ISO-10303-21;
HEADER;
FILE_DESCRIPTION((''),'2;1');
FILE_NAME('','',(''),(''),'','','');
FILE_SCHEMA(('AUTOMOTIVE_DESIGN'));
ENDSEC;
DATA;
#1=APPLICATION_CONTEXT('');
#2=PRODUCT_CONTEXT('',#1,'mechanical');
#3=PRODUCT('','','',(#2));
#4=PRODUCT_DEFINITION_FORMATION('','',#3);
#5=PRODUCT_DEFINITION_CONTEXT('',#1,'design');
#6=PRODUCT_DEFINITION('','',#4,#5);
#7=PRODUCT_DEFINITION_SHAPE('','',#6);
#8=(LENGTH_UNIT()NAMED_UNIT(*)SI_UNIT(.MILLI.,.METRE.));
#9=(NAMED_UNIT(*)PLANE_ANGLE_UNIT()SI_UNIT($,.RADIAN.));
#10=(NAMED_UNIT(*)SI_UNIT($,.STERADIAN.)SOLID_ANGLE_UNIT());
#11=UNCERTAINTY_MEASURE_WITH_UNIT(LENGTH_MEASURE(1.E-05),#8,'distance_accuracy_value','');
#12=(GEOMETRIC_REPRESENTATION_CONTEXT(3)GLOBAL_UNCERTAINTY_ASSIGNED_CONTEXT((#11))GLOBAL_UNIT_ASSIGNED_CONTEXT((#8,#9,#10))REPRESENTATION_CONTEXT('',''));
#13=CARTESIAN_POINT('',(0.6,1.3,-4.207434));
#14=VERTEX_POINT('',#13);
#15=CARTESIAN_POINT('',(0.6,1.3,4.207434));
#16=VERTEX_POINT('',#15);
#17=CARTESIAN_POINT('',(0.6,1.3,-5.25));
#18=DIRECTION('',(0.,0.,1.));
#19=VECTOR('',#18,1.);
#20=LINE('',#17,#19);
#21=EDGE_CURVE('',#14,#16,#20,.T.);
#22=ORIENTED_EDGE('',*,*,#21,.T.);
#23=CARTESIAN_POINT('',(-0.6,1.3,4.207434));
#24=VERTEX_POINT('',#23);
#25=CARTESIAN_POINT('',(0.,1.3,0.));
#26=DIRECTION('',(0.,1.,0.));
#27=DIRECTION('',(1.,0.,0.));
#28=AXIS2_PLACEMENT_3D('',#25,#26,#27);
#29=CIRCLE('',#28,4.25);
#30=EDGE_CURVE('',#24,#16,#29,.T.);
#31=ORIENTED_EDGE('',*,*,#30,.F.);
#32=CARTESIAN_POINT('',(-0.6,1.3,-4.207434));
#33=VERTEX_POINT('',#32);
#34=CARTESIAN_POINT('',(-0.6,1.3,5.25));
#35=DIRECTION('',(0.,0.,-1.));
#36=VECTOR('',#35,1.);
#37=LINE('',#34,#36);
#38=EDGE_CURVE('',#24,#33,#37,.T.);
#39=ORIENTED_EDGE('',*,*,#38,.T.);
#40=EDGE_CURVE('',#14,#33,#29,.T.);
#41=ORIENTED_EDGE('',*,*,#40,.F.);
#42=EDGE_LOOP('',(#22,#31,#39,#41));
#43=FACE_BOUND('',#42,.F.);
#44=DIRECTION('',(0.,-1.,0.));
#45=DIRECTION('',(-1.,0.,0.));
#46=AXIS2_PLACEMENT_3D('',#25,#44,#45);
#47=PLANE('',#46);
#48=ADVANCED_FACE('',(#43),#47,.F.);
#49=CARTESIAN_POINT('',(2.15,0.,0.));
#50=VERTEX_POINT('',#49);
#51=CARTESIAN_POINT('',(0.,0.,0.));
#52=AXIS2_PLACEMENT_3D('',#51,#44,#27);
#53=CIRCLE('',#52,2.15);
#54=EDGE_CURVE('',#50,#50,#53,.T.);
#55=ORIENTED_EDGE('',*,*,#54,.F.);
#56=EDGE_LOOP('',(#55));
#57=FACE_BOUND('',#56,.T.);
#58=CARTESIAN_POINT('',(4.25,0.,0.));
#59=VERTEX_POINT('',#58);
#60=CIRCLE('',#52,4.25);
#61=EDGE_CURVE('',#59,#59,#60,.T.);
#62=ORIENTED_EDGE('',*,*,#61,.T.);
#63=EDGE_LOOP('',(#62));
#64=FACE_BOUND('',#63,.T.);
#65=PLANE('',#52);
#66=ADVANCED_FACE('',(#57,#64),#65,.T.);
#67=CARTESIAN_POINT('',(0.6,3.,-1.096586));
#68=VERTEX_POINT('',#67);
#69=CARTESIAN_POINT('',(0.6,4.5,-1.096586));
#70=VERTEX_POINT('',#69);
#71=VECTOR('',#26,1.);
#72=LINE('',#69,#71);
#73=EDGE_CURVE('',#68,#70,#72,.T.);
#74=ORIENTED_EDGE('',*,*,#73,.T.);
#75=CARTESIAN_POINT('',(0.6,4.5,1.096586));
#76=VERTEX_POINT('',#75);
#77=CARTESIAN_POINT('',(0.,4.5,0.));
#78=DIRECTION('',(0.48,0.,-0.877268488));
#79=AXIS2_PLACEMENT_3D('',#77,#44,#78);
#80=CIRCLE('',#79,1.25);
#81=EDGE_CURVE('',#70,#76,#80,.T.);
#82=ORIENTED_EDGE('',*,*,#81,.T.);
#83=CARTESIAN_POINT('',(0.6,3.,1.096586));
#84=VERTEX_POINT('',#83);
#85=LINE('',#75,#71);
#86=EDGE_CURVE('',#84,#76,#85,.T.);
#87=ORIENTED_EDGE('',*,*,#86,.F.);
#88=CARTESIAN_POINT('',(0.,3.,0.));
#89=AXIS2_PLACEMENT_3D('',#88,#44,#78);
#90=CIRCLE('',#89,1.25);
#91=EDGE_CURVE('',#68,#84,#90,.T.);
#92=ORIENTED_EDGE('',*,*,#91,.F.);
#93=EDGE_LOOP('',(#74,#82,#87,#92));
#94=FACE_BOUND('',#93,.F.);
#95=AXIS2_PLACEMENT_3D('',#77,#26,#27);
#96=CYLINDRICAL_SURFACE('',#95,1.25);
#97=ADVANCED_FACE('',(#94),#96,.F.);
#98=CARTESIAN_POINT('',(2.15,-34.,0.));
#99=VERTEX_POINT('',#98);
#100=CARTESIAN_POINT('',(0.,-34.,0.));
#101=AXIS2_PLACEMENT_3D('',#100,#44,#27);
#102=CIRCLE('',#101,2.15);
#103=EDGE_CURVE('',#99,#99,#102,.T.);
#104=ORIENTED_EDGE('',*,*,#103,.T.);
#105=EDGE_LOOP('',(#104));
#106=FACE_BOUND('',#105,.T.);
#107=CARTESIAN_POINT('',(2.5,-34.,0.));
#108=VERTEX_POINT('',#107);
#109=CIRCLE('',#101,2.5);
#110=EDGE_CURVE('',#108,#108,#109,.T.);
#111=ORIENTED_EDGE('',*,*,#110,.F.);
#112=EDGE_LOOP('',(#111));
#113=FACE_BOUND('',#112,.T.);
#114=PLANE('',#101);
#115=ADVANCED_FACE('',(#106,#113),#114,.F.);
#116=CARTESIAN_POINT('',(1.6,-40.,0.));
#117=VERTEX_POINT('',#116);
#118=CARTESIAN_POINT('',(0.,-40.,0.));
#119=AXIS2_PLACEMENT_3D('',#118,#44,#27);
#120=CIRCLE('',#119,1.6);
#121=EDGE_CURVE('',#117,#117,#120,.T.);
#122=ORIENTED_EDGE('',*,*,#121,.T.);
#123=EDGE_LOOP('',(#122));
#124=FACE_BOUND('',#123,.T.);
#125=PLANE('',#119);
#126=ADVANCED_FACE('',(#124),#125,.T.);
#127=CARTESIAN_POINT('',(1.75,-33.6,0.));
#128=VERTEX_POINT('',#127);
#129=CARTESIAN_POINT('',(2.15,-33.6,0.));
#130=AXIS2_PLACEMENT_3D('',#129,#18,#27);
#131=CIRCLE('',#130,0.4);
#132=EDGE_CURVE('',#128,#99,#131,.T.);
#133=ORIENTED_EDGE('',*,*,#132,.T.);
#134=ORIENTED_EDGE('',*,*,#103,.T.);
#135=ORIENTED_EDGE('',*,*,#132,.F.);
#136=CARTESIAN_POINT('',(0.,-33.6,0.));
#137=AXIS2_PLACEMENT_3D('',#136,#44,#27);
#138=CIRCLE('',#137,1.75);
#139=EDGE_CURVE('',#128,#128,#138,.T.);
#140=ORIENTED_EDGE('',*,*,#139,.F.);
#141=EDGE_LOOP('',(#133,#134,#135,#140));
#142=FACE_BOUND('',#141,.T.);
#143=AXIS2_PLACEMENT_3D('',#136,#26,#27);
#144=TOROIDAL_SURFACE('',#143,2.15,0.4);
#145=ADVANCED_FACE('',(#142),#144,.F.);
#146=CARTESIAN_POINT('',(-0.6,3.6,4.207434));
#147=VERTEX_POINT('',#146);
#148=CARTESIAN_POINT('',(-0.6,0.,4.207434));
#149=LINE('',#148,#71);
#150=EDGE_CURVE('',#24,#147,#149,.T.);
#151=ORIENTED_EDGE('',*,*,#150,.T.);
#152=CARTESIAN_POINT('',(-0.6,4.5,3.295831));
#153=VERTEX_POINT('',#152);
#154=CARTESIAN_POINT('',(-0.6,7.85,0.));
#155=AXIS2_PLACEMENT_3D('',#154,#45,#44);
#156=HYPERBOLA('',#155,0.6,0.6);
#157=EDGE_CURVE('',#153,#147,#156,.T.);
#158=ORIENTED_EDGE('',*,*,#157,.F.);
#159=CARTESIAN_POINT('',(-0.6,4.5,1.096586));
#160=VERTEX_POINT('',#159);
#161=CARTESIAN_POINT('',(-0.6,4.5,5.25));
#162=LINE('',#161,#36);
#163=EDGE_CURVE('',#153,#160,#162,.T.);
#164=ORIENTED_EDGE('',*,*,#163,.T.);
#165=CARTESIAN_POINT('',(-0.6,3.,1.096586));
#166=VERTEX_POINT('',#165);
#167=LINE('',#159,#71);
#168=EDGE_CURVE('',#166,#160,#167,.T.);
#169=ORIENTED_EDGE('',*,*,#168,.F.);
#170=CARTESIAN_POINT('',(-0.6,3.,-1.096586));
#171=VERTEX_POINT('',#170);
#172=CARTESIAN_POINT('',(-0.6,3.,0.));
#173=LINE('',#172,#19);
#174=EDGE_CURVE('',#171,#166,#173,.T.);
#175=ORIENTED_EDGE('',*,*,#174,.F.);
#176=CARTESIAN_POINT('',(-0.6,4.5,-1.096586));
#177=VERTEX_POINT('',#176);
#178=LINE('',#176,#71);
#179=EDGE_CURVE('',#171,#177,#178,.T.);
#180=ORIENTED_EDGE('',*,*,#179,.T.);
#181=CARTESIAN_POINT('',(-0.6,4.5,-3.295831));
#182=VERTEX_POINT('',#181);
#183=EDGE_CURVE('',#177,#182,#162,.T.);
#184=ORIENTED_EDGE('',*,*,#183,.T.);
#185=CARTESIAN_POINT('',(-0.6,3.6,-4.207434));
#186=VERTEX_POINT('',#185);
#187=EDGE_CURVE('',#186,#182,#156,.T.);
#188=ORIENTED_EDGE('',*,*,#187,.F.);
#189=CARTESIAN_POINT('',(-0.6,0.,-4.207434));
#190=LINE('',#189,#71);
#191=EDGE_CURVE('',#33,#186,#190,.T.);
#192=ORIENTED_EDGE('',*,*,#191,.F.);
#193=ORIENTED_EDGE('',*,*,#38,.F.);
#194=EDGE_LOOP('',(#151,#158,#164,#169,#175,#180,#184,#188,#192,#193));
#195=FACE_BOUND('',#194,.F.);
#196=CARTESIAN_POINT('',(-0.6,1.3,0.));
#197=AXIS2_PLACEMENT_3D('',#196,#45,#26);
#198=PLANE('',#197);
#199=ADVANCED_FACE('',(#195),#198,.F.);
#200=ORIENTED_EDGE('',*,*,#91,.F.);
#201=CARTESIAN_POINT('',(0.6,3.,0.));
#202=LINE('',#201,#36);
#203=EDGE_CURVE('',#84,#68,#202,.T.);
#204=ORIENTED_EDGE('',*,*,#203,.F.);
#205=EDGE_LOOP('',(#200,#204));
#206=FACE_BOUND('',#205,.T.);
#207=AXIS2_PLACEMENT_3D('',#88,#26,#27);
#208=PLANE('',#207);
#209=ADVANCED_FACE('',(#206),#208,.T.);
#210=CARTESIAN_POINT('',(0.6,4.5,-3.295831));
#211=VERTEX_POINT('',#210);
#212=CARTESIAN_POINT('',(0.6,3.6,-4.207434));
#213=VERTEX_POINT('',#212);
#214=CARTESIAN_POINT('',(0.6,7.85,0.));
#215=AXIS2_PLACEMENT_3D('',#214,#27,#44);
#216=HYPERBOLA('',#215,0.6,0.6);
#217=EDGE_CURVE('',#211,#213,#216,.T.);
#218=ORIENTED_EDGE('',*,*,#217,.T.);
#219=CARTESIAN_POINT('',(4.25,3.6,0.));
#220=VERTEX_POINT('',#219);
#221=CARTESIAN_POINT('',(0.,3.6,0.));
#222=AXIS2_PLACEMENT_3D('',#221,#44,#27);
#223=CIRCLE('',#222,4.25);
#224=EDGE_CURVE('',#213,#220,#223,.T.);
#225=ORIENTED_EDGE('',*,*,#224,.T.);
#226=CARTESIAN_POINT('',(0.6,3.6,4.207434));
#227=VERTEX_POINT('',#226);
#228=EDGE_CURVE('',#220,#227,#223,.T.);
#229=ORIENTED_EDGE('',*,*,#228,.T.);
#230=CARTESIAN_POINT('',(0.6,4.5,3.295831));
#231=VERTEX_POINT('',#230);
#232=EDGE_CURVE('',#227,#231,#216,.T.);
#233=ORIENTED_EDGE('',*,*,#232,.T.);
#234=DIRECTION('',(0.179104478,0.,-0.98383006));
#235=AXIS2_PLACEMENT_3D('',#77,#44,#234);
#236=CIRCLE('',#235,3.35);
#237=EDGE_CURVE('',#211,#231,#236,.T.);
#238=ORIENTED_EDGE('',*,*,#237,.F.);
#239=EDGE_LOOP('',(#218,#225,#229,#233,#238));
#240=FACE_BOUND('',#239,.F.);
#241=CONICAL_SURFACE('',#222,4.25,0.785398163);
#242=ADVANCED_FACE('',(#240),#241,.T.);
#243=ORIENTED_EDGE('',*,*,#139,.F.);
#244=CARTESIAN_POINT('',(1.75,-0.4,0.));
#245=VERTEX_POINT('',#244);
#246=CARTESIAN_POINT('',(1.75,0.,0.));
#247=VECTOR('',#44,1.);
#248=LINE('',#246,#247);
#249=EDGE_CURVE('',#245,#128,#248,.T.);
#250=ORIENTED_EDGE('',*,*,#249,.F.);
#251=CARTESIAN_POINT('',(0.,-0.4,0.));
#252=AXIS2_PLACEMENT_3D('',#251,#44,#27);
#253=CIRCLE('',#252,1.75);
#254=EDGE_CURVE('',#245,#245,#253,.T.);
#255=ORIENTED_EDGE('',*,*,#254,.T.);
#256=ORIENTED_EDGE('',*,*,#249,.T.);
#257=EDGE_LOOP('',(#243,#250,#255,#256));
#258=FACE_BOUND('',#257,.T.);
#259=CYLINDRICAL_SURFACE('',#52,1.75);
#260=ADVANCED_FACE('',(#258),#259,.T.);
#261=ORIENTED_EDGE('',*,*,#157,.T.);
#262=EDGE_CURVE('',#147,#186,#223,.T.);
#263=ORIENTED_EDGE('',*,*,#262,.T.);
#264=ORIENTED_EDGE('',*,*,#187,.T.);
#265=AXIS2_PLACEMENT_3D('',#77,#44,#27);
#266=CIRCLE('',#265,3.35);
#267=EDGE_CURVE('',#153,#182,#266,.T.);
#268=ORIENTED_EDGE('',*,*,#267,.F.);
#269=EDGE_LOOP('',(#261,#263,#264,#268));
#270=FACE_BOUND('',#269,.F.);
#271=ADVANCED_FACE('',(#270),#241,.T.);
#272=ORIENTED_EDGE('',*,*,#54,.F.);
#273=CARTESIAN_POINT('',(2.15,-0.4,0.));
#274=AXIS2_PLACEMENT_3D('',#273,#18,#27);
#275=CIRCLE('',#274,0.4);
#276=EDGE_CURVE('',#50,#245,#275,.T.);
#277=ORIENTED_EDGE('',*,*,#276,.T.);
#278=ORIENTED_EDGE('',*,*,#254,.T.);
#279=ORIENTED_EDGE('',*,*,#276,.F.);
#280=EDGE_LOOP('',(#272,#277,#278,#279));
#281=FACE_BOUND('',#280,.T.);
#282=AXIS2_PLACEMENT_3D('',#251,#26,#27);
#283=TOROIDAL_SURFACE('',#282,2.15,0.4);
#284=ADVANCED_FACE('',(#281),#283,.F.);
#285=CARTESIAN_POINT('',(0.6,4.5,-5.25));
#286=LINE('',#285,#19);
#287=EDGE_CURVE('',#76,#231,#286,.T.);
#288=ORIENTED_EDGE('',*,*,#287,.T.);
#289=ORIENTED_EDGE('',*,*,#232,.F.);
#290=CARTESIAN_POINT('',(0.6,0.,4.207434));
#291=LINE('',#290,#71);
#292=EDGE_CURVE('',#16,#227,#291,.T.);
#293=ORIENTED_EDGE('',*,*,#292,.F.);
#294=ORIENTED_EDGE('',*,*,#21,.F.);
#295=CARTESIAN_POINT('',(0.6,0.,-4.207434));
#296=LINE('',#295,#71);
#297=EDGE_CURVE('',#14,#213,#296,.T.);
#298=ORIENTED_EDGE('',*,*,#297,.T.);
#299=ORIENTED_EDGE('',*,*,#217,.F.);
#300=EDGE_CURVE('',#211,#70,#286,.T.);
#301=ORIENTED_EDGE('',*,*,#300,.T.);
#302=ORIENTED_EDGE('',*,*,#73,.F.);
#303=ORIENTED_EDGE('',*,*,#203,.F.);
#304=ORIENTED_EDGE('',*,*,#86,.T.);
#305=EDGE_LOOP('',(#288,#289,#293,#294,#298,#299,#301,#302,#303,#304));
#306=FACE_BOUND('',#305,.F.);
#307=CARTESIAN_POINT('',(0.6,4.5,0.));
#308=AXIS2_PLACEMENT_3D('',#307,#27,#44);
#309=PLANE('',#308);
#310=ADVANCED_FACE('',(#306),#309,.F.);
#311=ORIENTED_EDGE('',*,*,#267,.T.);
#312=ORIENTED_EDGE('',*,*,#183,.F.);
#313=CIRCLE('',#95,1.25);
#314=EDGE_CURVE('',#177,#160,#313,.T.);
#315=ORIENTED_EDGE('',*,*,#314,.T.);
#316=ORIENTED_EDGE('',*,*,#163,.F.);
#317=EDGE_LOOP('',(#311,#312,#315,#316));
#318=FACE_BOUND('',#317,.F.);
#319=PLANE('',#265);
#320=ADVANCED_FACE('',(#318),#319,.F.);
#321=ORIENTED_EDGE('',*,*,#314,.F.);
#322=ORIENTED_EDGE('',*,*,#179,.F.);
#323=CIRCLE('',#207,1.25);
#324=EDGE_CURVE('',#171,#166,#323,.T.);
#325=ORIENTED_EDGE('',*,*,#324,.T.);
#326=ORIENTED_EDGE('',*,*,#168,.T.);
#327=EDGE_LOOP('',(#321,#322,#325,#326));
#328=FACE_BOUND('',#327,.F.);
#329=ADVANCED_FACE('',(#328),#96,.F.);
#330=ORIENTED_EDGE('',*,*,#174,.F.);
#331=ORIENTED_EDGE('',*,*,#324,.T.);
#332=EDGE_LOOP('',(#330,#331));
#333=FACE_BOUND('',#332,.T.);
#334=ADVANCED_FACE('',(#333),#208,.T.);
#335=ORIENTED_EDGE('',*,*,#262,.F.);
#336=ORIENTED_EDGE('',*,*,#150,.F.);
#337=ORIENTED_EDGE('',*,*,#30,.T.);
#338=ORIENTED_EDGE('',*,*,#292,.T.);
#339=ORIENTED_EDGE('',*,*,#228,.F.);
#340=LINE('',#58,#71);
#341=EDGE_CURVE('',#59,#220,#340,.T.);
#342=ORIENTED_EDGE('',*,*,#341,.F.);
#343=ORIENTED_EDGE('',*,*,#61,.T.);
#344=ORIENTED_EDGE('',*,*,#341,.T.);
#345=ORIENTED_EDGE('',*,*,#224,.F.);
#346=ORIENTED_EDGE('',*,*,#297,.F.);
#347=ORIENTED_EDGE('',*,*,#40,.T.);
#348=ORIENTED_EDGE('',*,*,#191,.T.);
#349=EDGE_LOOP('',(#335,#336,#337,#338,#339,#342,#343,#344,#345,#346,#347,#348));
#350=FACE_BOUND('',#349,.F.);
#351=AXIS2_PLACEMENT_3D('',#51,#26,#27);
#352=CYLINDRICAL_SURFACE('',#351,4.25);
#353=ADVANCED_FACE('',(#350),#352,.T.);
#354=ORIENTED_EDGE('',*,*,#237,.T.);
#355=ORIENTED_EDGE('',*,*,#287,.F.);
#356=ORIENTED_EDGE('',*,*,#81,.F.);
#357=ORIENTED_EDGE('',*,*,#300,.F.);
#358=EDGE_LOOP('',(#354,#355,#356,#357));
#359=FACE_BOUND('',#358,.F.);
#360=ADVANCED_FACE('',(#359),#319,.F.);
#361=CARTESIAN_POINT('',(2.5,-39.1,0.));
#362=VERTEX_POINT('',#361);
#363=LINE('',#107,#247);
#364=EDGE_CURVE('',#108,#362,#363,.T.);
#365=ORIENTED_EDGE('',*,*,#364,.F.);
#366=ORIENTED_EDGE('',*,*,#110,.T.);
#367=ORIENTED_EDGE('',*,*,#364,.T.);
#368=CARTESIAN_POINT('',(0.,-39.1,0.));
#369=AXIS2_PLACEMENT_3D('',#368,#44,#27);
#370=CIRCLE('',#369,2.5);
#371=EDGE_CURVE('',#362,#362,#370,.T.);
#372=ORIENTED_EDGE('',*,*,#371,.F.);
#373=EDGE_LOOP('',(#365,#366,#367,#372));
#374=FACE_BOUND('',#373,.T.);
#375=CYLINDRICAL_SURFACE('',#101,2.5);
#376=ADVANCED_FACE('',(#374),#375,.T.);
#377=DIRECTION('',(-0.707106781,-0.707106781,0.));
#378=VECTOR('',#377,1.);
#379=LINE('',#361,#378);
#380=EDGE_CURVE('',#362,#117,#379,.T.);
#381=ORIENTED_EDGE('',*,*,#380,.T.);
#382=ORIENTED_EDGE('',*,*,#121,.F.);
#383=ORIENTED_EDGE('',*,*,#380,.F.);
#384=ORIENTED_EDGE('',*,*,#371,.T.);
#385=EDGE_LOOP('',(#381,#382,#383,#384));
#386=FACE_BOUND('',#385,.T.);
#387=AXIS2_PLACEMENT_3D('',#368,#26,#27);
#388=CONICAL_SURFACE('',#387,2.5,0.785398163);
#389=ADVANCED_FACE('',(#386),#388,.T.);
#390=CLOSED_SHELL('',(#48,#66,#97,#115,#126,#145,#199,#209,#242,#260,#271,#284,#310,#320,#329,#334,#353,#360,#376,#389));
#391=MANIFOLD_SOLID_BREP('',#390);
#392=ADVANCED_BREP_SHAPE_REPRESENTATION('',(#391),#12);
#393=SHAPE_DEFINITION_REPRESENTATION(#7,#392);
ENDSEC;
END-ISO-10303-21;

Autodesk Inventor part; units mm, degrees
ref_plane "YZ Plane" through (0, 0, 0) normal (1, 0, 0) x (0, 1, 0)
ref_plane "XZ Plane" through (0, 0, 0) normal (0, 1, 0) x (-1, 0, 0)
ref_plane "XY Plane" through (0, 0, 0) normal (0, 0, 1) x (1, 0, 0)
sketch "Sketch1" plane through (0, 0, 0) normal (0, 0, 1) x (1, 0, 0)
  line L0 (4.25, 0) -> (4.25, 4.5)
  line L1 (4.25, 4.5) -> (0, 4.5)
  line L2 (4.25, 0) -> (1.75, 0)
  line L3 (1.75, 0) -> (1.75, -34)
  line L4 (1.75, -34) -> (2.5, -34)
  line L5 (2.5, -34) -> (2.5, -40)
  line L6 (2.5, -40) -> (0, -40)
  line L7 (0, 4.5) -> (0, -40)
  point P0 (0, 0)
  dimension "d0" = 8.5
  dimension "d2" = 3.5
  dimension "d3" = 5
  dimension "d4" = 4.5
  dimension "d5" = 6
  dimension "d6" = 40
revolve "Вращение1" add sketch "Sketch1" angle 360 about axis through (0, 4.5, 0) along (0, -1, 0)
sketch "Sketch2" plane through (0, 4.5, 0) normal (0, 1, 0) x (1, 0, 0)
  circle A0 centre (0, 0) radius 4.25 construction
  circle A1 centre (0, 0) radius 1.25
  dimension "d31" = 2.5
extrude "Выдавливание1" cut sketch "Sketch2" against normal blind 1.5
chamfer "Фаска1" distance 0.9 angle 45 1 edges at (-4.25, 4.5, 0)
sketch "Sketch3" plane through (0, 0, 0) normal (0, 0, 1) x (1, 0, 0)
  line L0 (0, 0) -> (0, 4.5)
  line L1 (-2.3552, 0) -> (2.3552, 0) construction
  line L2 (-4.25, 4.5) -> (4.25, 4.5) construction
  line L3 (-0.6, 4.5) -> (0.6, 4.5)
  line L4 (0.6, 4.5) -> (0.6, 1.3)
  line L5 (0.6, 1.3) -> (-0.6, 1.3)
  line L6 (-0.6, 1.3) -> (-0.6, 4.5)
  dimension "d8" = 1.3
  dimension "d9" = 1.2
extrude "Выдавливание2" cut sketch "Sketch3" along normal through all both and the other way through all
fillet "Сопряжение1" radius 0.4 2 edges at (-1.75, 0, 0) (-1.75, -34, 0)
thread "Резьба1" size "M5x0.8" class "6g" standard "ISO Metric profile" length 6
chamfer "Фаска2" distance 0.9 angle 45 1 edges at (-2.5, -40, 0)
equation "\"d31\" = d3_"
equation "\"d32\" = h3"
equation "\"d21\" = C1"
equation "\"d8\" = h2"
equation "\"d9\" = n"
equation "\"d12\" = R"
equation "\"d13\" = b"
equation "\"d15\" = C1"
equation "\"d0\" = D"
equation "\"d2\" = d1"
equation "\"d3\" = d_"
equation "\"d4\" = k1"
equation "\"d5\" = b"
equation "\"d6\" = l_"
equation "\"D\" = 8.5"
equation "\"d_\" = 5"
equation "\"l_\" = 40"
equation "\"b\" = 6"
equation "\"d1\" = 3.5"
equation "\"R\" = 0.4"
equation "\"C1\" = 0.9"
equation "\"h2\" = 1.3"
equation "\"n\" = 1.2"
equation "\"h3\" = 1.5"
equation "\"k1\" = 4.5"
equation "\"d3_\" = 2.5"
equation "\"G\" = l_ - b"
properties part number "Винт 3 M5-6gx40 ГОСТ 10336-80" material "Сталь, мягкая"
